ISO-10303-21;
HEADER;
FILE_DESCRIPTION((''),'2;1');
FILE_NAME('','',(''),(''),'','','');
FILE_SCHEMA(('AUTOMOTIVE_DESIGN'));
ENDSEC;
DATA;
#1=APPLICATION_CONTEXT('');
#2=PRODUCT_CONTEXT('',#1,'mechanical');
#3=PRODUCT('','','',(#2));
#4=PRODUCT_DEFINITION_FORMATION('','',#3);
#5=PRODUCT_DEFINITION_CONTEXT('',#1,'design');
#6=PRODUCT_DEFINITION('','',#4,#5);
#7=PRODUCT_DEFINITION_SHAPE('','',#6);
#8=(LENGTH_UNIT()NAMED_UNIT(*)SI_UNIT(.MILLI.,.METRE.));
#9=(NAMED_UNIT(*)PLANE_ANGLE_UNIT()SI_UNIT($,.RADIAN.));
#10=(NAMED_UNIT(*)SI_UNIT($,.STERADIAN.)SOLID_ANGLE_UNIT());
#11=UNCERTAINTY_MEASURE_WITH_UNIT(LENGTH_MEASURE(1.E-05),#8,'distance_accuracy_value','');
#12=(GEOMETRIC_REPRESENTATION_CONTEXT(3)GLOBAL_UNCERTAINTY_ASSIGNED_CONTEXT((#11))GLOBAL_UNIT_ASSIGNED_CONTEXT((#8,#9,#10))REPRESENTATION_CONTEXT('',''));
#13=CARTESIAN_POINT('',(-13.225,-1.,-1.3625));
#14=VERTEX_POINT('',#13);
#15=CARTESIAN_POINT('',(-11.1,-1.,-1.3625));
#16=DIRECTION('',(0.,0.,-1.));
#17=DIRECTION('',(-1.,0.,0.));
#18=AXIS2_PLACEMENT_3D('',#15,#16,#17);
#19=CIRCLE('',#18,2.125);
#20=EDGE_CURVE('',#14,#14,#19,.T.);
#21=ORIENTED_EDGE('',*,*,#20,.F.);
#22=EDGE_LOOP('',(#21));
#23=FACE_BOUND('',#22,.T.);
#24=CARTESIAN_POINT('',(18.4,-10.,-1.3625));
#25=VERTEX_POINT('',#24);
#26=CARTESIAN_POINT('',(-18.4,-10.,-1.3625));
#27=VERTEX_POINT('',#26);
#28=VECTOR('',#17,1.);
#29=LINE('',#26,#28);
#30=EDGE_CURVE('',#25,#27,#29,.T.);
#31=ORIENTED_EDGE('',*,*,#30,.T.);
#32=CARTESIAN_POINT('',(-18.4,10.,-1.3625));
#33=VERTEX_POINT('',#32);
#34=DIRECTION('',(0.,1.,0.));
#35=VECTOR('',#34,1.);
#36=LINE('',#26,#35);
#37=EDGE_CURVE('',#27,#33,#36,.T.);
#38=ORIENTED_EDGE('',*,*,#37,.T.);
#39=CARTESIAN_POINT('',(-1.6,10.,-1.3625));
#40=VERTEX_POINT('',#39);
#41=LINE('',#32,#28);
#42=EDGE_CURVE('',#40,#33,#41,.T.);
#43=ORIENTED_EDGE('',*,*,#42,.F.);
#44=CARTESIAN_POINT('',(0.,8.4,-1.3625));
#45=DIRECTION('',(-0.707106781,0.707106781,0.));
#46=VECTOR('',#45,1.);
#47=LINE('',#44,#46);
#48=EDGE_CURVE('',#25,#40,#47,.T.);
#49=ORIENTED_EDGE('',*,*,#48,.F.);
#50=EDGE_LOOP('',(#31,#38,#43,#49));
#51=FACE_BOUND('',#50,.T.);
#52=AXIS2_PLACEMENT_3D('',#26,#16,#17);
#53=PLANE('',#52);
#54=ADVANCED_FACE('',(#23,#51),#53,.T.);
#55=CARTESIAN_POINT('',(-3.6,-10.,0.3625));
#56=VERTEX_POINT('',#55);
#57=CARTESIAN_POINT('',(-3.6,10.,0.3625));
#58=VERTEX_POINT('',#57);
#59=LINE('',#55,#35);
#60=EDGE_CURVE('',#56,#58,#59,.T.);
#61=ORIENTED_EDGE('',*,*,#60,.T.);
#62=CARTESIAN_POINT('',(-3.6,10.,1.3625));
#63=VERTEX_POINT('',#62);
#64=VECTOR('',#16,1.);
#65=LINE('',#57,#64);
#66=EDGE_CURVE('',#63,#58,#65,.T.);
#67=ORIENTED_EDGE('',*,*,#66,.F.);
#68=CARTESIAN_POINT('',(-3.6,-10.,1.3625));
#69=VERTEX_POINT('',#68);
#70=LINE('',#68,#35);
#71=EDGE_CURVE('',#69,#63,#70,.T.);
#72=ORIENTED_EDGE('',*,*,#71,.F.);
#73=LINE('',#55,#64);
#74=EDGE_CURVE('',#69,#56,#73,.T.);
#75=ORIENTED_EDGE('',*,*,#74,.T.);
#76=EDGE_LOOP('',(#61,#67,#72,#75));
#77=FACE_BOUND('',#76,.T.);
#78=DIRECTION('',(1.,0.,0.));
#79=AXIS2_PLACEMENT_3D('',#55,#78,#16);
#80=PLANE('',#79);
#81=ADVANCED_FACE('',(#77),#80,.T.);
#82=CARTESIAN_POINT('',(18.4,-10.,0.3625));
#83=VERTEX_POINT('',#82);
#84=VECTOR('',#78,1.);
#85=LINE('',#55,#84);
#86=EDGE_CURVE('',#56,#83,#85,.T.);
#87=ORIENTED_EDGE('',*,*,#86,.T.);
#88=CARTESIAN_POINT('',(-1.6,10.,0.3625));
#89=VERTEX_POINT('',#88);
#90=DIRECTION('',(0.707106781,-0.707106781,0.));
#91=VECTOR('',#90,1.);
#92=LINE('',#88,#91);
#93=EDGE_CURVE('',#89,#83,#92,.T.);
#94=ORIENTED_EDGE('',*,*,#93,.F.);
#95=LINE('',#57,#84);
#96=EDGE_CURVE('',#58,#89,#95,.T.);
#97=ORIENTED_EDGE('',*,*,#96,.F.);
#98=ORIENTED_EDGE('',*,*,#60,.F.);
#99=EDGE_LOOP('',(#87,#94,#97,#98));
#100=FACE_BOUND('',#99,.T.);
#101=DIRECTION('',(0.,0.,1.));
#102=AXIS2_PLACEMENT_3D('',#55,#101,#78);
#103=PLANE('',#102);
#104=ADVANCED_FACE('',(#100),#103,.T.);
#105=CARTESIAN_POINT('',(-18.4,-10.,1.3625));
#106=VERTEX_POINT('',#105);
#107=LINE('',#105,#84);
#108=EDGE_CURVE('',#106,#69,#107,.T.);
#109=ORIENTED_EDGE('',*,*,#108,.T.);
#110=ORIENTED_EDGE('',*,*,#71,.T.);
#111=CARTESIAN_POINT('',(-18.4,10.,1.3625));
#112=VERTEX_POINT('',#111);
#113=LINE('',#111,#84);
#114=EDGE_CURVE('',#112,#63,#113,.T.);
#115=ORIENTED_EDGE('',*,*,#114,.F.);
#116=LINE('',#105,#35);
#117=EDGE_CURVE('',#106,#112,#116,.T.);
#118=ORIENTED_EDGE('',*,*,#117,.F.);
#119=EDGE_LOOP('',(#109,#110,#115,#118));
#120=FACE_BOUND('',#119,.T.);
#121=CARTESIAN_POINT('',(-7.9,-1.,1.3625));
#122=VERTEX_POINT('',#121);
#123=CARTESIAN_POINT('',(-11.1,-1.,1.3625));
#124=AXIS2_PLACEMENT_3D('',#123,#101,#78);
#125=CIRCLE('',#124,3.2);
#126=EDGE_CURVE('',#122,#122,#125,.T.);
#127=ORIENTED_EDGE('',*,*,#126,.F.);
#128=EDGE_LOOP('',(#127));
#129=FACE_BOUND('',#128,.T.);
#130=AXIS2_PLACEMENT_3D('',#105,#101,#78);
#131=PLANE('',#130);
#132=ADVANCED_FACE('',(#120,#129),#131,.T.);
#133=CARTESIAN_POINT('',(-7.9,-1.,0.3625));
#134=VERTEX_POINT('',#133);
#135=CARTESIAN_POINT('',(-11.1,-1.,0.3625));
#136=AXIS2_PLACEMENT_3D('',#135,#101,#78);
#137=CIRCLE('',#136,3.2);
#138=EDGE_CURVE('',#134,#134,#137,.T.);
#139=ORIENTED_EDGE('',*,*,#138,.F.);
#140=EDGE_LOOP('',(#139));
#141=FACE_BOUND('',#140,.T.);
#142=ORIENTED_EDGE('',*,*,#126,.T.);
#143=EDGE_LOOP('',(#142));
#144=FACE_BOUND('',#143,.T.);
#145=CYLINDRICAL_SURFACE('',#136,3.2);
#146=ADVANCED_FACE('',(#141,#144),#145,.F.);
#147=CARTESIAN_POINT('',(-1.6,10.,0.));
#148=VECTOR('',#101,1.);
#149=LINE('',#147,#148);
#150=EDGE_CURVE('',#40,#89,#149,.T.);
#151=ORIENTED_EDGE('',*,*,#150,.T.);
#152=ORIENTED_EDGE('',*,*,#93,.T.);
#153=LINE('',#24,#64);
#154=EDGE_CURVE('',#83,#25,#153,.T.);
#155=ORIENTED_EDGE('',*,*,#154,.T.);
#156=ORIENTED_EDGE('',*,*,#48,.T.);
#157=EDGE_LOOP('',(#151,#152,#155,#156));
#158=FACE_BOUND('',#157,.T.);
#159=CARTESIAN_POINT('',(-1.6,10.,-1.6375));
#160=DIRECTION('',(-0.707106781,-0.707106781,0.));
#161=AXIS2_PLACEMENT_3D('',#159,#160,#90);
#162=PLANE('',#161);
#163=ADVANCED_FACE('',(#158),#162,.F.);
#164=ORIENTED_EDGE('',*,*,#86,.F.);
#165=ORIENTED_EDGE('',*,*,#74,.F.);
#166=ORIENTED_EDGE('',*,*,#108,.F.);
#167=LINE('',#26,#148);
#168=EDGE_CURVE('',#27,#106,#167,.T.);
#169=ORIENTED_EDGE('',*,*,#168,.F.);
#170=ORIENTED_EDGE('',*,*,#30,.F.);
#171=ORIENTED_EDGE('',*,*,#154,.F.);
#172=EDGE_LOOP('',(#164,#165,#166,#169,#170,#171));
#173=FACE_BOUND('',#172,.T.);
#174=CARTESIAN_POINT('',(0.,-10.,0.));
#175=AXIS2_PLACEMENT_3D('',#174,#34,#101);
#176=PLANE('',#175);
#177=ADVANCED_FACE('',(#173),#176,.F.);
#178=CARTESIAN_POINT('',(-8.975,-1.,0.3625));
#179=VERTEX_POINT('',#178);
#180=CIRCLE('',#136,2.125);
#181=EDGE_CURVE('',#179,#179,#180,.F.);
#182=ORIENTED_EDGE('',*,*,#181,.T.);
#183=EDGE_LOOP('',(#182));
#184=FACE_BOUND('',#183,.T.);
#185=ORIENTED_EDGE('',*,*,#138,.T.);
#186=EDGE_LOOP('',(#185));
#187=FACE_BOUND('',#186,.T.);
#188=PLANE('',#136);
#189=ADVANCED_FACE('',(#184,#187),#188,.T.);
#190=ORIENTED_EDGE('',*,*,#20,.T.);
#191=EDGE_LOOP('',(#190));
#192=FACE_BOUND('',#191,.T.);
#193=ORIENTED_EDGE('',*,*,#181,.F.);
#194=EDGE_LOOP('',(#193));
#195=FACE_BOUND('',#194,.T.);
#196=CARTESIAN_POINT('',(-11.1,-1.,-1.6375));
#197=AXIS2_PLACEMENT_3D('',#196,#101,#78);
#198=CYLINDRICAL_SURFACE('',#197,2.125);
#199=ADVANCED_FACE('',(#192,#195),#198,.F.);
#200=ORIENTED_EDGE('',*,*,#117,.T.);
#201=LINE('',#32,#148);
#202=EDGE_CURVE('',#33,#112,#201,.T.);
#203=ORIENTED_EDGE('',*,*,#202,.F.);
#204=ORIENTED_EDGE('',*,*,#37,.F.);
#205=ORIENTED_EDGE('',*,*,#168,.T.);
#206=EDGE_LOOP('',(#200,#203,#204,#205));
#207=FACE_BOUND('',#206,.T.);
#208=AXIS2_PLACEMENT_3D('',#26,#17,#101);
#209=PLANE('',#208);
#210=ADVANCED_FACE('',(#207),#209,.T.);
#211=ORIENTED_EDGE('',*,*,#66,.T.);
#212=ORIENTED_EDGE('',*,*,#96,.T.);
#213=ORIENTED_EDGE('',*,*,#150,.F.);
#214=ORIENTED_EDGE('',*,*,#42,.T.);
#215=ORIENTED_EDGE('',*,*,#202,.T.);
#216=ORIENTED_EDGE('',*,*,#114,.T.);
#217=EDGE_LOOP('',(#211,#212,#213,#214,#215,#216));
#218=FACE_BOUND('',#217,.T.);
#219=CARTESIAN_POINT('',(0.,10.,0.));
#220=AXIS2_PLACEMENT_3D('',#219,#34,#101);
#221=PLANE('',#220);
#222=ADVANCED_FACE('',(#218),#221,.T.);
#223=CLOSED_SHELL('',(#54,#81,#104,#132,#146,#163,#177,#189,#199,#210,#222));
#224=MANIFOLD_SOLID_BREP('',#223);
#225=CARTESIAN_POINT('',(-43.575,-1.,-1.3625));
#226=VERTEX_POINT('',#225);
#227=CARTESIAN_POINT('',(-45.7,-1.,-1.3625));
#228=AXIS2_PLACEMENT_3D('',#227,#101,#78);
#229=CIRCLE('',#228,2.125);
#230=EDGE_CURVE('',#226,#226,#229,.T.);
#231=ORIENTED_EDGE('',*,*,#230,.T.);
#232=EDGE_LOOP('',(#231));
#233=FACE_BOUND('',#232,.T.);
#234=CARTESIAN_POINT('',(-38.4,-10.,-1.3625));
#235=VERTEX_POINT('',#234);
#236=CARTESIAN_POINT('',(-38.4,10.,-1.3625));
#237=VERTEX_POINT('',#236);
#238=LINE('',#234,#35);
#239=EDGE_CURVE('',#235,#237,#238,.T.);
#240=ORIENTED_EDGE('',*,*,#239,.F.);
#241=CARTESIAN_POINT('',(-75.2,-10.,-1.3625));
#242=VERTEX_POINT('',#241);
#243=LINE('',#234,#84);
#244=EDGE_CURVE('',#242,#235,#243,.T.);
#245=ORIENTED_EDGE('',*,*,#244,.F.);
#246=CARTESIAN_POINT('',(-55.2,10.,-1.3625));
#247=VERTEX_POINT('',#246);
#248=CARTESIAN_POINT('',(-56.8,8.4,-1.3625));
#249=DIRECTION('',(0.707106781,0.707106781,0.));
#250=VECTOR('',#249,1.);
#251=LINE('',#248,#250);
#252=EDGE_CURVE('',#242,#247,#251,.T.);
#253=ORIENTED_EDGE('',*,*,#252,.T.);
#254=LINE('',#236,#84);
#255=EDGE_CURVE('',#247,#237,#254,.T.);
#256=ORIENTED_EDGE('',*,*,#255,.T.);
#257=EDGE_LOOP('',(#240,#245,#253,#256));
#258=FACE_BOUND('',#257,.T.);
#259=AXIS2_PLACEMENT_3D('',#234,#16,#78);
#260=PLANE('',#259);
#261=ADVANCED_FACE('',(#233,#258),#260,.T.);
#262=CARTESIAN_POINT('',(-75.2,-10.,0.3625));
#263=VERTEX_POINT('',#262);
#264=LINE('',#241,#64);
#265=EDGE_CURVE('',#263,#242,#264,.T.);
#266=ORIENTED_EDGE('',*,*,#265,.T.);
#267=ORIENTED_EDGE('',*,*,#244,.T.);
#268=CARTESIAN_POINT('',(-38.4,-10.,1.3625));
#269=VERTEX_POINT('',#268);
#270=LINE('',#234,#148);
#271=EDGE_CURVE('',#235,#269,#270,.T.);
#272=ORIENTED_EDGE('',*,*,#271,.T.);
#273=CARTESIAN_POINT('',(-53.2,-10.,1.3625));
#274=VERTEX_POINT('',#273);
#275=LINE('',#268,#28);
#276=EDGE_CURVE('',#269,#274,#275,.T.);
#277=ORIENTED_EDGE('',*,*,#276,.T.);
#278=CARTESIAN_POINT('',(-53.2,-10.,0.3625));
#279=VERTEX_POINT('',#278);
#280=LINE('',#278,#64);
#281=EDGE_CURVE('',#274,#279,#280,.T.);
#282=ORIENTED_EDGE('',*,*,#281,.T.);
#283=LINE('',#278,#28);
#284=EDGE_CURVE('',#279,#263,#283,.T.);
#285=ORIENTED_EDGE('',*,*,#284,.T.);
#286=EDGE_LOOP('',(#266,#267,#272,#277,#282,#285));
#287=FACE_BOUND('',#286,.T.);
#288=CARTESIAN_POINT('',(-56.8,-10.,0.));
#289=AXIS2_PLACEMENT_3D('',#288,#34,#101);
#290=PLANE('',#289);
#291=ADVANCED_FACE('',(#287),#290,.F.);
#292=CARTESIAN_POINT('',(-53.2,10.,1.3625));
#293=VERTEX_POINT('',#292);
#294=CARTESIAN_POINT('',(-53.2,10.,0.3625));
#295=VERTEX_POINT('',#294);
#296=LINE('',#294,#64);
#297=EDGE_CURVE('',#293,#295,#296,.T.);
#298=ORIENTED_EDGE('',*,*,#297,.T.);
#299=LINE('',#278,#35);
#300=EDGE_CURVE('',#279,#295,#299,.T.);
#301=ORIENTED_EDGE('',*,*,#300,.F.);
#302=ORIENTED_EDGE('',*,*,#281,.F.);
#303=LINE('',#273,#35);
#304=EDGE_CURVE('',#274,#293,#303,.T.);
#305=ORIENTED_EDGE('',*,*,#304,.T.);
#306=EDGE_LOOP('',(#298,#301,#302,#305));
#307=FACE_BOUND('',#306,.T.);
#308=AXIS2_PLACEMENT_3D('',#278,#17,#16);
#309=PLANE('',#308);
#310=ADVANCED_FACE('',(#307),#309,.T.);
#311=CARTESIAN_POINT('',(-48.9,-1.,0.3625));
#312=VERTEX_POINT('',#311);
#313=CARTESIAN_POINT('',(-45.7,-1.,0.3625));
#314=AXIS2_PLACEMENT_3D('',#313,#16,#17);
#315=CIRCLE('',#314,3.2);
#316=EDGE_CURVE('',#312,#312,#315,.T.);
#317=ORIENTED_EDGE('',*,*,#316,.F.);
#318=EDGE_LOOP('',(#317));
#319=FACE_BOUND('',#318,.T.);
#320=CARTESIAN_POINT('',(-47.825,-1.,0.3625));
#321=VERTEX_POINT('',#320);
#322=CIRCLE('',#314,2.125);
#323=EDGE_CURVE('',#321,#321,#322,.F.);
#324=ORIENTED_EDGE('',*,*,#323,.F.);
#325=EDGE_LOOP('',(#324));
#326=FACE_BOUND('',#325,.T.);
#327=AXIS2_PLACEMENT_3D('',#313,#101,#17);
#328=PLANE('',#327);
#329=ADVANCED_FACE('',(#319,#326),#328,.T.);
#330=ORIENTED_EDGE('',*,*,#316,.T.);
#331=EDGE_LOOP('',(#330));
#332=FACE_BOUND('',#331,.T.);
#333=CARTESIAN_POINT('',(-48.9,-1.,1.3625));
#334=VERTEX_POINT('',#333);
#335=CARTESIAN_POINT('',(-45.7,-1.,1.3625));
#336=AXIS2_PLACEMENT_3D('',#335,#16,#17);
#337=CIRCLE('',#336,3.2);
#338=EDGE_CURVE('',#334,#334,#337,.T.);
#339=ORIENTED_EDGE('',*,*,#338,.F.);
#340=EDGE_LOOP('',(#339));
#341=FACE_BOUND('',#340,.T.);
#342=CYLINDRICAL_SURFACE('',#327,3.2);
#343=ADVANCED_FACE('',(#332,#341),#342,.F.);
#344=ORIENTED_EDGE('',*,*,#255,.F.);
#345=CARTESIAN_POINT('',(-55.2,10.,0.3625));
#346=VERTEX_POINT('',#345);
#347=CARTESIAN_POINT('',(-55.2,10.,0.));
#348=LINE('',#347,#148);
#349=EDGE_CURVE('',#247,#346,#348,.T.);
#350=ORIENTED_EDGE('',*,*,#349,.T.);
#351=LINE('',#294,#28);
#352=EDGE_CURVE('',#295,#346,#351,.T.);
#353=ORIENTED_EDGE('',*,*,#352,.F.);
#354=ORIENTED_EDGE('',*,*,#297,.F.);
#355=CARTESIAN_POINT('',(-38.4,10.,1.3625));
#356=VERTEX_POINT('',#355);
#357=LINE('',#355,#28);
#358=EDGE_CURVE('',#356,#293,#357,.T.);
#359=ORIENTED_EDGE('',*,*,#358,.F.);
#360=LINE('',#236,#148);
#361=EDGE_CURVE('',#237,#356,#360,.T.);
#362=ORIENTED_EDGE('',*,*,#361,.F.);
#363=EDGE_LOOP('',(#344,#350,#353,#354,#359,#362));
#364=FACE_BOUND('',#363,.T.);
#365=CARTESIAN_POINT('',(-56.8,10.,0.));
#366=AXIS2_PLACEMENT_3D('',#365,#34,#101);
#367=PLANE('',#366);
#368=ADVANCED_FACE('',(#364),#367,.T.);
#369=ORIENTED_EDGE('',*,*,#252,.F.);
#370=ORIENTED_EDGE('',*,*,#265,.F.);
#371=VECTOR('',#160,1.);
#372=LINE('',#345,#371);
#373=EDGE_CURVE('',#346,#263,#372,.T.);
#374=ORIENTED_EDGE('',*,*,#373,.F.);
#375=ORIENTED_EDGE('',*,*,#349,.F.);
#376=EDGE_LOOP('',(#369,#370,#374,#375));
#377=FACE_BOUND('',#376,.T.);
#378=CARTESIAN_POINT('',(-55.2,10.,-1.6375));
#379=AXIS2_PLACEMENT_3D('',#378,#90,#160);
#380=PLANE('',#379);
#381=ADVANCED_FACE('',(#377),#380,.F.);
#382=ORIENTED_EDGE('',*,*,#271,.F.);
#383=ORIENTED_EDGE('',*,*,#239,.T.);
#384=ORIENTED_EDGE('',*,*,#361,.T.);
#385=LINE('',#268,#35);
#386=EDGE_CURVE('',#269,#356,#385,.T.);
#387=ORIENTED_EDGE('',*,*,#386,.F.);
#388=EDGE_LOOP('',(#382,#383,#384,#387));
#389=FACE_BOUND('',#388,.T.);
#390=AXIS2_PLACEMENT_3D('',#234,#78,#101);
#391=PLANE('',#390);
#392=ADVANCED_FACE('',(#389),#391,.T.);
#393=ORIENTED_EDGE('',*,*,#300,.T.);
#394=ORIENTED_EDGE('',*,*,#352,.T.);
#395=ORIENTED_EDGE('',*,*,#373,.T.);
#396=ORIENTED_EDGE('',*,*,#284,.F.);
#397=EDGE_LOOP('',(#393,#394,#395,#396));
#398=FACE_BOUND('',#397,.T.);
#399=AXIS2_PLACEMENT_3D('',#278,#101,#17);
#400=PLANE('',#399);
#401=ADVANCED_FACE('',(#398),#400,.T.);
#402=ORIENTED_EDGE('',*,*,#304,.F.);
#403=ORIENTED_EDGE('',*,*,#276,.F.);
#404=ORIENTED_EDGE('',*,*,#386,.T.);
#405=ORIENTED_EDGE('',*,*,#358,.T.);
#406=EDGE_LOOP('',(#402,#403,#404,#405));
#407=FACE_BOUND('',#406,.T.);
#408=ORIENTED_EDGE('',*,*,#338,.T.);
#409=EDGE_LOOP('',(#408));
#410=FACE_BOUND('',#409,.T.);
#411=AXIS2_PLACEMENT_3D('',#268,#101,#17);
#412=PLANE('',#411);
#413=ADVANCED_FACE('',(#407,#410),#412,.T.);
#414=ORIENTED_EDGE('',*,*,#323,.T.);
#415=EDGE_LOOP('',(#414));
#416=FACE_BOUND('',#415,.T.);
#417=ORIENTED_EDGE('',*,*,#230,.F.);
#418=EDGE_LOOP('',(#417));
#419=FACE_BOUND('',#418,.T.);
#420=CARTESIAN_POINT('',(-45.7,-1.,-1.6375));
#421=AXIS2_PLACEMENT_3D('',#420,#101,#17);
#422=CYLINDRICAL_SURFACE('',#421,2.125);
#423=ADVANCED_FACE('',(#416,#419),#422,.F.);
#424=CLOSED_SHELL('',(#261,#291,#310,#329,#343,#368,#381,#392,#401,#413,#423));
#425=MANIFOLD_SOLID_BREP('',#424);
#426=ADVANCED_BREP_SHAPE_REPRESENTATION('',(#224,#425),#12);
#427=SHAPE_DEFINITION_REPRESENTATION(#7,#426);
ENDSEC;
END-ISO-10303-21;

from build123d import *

# Parameters (mm, degrees)
BOSS_EXTRUDE1_DEPTH      = 10
BOSS_EXTRUDE1_DEPTH_BACK = 10
CUT_EXTRUDE1_DEPTH       = 2
SKETCH3_R                = 2.125
CUT_EXTRUDE2_DEPTH       = 3
SKETCH4_R                = 3.2
CUT_EXTRUDE3_DEPTH       = 1


with BuildPart() as part:
    # Sketch1 → Boss-Extrude1 (new, two sides: drawn at the far end of the back side and taken through both)
    with BuildSketch(Plane(origin=(0, 0, 0), x_dir=(1, 0, 0), z_dir=(0, 1, 0)).offset(-BOSS_EXTRUDE1_DEPTH_BACK)):
        Polygon((-18.4, 1.3625), (18.4, 1.3625), (18.4, -0.3625), (-3.6, -0.3625), (-3.6, -1.3625), (-18.4, -1.3625), align=None)
    extrude(amount=BOSS_EXTRUDE1_DEPTH + BOSS_EXTRUDE1_DEPTH_BACK)

    # Sketch2 → Cut-Extrude1 (cut)
    with BuildSketch(Plane.XY.offset(0.3625)):
        Polygon((-1.6, 10), (18.4, -10), (18.4, 10), align=None)
    extrude(amount=-CUT_EXTRUDE1_DEPTH, mode=Mode.SUBTRACT)

    # Sketch3 → Cut-Extrude2 (cut)
    with BuildSketch(Plane.XY.offset(1.3625)):
        with Locations((-11.1, -1)):
            Circle(SKETCH3_R)
    extrude(amount=-CUT_EXTRUDE2_DEPTH, mode=Mode.SUBTRACT)

    # Sketch4 → Cut-Extrude3 (cut)
    with BuildSketch(Plane.XY.offset(1.3625)):
        with Locations((-11.1, -1)):
            Circle(SKETCH4_R)
    extrude(amount=-CUT_EXTRUDE3_DEPTH, mode=Mode.SUBTRACT)


with BuildPart() as body_2:
    # Mirror1: mirrored copy
    add(part.part.mirror(Plane.ZY.offset(28.4)))


solid = Compound([part.part, body_2.part])
